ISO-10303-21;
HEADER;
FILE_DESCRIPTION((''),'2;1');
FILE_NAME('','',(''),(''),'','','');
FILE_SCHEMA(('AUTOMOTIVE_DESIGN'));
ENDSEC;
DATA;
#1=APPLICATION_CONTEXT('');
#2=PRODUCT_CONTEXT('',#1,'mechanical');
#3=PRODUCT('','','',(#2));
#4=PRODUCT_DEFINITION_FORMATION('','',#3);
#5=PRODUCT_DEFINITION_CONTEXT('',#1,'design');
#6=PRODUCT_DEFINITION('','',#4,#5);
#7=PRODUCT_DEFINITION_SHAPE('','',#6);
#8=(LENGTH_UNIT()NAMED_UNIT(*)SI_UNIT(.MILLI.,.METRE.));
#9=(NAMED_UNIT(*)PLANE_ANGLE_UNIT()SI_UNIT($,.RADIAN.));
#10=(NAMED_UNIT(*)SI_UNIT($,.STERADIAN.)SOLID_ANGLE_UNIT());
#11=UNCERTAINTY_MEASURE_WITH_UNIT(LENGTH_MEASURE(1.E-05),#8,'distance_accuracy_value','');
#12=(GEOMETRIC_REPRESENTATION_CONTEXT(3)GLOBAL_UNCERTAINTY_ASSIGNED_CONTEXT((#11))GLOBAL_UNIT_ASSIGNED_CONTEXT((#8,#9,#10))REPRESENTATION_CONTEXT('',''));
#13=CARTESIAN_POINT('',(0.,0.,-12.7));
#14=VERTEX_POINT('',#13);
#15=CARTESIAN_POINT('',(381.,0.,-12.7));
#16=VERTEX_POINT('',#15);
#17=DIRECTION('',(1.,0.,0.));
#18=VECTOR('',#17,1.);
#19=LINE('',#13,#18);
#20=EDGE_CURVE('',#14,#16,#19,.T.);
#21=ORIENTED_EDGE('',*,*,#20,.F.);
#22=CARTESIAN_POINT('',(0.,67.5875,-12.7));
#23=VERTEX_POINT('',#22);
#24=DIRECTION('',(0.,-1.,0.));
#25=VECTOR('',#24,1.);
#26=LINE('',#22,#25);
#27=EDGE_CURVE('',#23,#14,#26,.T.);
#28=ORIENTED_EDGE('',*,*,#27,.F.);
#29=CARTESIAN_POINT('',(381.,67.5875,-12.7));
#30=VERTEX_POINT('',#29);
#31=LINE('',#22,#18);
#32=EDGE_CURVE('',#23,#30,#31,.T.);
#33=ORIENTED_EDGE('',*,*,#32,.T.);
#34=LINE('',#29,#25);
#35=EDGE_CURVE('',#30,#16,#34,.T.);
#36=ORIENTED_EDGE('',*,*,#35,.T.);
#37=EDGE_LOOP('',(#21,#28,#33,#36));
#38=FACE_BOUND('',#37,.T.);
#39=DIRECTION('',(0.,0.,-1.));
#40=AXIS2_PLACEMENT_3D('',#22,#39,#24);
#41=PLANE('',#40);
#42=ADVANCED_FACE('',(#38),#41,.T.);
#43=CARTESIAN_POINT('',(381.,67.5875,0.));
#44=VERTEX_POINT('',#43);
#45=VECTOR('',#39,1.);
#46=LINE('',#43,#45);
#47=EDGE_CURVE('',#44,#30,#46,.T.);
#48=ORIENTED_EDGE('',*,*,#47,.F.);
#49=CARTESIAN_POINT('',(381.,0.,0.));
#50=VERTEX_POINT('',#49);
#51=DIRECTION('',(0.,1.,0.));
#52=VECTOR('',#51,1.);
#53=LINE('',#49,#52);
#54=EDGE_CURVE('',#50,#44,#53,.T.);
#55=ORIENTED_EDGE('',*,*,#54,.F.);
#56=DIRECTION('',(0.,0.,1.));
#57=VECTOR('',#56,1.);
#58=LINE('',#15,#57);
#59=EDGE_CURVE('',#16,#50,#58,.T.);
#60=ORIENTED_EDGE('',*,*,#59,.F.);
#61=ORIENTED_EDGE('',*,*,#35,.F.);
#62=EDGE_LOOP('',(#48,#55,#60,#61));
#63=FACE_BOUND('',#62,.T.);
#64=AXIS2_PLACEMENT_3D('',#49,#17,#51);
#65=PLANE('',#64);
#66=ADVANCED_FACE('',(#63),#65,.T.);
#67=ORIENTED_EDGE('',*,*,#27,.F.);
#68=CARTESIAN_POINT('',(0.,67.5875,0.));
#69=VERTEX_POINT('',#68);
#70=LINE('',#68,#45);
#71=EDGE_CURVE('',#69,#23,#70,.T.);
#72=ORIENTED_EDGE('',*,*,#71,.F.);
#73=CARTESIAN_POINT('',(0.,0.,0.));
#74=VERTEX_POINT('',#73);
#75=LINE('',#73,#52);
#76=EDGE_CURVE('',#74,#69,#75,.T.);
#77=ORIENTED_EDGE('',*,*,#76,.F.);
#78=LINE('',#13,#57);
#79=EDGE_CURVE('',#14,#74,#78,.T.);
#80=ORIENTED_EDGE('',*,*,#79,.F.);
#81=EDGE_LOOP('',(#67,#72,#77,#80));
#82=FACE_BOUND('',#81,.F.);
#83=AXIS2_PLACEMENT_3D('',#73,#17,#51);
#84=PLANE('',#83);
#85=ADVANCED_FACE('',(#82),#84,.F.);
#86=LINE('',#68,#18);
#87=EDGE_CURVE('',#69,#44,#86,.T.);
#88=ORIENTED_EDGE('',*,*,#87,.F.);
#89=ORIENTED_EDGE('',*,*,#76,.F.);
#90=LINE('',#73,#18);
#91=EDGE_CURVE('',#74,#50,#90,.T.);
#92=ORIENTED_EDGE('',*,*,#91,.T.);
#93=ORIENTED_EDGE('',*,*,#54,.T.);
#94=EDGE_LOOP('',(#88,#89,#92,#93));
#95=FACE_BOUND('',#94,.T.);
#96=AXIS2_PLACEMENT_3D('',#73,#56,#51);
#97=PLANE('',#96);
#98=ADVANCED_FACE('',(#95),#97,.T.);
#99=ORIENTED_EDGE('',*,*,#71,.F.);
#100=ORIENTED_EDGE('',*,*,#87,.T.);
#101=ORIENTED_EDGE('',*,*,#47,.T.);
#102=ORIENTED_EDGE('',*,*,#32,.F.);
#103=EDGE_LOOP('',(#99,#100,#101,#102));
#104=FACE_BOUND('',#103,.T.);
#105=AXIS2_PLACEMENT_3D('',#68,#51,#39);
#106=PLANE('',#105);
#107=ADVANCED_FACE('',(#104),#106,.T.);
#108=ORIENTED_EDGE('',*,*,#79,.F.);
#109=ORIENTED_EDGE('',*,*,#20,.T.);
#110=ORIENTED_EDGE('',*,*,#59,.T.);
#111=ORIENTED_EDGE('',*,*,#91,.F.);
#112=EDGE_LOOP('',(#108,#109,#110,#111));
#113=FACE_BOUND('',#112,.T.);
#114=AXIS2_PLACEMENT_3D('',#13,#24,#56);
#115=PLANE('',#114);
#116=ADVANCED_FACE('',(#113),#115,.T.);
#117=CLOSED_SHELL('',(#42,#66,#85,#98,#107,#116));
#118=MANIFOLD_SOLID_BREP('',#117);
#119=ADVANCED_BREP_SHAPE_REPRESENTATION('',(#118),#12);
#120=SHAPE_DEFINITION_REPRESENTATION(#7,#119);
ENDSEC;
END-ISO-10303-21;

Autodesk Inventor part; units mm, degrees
ref_plane "YZ Plane" through (0, 0, 0) normal (1, 0, 0) x (0, 1, 0)
ref_plane "XZ Plane" through (0, 0, 0) normal (0, 1, 0) x (-1, 0, 0)
ref_plane "XY Plane" through (0, 0, 0) normal (0, 0, 1) x (1, 0, 0)
sketch "Sketch1" plane through (0, 0, 0) normal (1, 0, 0) x (0, 1, 0)
  line L0 (0, 0) -> (67.5875, 0)
  line L1 (67.5875, 0) -> (67.5875, -12.7)
  line L2 (67.5875, -12.7) -> (0, -12.7)
  line L3 (0, -12.7) -> (0, 0)
  dimension "d0" = 12.7
  dimension "d1" = 67.5875
extrude "Extrusion1" add sketch "Sketch1" along normal blind 381
equation "\"d0\" = BaseSupportThickness"
equation "\"d1\" = BaseSupportHeight"
equation "\"d2\" = BaseWidth - 2 * BaseSupportThickness"
equation "\"BaseSupportThickness\" = 12.7"
equation "\"BaseSupportHeight\" = 67.5875"
equation "\"BaseWidth\" = 406.4"
properties part number "Robot-Base-BatteryBack" material "Wood (Birch)"
